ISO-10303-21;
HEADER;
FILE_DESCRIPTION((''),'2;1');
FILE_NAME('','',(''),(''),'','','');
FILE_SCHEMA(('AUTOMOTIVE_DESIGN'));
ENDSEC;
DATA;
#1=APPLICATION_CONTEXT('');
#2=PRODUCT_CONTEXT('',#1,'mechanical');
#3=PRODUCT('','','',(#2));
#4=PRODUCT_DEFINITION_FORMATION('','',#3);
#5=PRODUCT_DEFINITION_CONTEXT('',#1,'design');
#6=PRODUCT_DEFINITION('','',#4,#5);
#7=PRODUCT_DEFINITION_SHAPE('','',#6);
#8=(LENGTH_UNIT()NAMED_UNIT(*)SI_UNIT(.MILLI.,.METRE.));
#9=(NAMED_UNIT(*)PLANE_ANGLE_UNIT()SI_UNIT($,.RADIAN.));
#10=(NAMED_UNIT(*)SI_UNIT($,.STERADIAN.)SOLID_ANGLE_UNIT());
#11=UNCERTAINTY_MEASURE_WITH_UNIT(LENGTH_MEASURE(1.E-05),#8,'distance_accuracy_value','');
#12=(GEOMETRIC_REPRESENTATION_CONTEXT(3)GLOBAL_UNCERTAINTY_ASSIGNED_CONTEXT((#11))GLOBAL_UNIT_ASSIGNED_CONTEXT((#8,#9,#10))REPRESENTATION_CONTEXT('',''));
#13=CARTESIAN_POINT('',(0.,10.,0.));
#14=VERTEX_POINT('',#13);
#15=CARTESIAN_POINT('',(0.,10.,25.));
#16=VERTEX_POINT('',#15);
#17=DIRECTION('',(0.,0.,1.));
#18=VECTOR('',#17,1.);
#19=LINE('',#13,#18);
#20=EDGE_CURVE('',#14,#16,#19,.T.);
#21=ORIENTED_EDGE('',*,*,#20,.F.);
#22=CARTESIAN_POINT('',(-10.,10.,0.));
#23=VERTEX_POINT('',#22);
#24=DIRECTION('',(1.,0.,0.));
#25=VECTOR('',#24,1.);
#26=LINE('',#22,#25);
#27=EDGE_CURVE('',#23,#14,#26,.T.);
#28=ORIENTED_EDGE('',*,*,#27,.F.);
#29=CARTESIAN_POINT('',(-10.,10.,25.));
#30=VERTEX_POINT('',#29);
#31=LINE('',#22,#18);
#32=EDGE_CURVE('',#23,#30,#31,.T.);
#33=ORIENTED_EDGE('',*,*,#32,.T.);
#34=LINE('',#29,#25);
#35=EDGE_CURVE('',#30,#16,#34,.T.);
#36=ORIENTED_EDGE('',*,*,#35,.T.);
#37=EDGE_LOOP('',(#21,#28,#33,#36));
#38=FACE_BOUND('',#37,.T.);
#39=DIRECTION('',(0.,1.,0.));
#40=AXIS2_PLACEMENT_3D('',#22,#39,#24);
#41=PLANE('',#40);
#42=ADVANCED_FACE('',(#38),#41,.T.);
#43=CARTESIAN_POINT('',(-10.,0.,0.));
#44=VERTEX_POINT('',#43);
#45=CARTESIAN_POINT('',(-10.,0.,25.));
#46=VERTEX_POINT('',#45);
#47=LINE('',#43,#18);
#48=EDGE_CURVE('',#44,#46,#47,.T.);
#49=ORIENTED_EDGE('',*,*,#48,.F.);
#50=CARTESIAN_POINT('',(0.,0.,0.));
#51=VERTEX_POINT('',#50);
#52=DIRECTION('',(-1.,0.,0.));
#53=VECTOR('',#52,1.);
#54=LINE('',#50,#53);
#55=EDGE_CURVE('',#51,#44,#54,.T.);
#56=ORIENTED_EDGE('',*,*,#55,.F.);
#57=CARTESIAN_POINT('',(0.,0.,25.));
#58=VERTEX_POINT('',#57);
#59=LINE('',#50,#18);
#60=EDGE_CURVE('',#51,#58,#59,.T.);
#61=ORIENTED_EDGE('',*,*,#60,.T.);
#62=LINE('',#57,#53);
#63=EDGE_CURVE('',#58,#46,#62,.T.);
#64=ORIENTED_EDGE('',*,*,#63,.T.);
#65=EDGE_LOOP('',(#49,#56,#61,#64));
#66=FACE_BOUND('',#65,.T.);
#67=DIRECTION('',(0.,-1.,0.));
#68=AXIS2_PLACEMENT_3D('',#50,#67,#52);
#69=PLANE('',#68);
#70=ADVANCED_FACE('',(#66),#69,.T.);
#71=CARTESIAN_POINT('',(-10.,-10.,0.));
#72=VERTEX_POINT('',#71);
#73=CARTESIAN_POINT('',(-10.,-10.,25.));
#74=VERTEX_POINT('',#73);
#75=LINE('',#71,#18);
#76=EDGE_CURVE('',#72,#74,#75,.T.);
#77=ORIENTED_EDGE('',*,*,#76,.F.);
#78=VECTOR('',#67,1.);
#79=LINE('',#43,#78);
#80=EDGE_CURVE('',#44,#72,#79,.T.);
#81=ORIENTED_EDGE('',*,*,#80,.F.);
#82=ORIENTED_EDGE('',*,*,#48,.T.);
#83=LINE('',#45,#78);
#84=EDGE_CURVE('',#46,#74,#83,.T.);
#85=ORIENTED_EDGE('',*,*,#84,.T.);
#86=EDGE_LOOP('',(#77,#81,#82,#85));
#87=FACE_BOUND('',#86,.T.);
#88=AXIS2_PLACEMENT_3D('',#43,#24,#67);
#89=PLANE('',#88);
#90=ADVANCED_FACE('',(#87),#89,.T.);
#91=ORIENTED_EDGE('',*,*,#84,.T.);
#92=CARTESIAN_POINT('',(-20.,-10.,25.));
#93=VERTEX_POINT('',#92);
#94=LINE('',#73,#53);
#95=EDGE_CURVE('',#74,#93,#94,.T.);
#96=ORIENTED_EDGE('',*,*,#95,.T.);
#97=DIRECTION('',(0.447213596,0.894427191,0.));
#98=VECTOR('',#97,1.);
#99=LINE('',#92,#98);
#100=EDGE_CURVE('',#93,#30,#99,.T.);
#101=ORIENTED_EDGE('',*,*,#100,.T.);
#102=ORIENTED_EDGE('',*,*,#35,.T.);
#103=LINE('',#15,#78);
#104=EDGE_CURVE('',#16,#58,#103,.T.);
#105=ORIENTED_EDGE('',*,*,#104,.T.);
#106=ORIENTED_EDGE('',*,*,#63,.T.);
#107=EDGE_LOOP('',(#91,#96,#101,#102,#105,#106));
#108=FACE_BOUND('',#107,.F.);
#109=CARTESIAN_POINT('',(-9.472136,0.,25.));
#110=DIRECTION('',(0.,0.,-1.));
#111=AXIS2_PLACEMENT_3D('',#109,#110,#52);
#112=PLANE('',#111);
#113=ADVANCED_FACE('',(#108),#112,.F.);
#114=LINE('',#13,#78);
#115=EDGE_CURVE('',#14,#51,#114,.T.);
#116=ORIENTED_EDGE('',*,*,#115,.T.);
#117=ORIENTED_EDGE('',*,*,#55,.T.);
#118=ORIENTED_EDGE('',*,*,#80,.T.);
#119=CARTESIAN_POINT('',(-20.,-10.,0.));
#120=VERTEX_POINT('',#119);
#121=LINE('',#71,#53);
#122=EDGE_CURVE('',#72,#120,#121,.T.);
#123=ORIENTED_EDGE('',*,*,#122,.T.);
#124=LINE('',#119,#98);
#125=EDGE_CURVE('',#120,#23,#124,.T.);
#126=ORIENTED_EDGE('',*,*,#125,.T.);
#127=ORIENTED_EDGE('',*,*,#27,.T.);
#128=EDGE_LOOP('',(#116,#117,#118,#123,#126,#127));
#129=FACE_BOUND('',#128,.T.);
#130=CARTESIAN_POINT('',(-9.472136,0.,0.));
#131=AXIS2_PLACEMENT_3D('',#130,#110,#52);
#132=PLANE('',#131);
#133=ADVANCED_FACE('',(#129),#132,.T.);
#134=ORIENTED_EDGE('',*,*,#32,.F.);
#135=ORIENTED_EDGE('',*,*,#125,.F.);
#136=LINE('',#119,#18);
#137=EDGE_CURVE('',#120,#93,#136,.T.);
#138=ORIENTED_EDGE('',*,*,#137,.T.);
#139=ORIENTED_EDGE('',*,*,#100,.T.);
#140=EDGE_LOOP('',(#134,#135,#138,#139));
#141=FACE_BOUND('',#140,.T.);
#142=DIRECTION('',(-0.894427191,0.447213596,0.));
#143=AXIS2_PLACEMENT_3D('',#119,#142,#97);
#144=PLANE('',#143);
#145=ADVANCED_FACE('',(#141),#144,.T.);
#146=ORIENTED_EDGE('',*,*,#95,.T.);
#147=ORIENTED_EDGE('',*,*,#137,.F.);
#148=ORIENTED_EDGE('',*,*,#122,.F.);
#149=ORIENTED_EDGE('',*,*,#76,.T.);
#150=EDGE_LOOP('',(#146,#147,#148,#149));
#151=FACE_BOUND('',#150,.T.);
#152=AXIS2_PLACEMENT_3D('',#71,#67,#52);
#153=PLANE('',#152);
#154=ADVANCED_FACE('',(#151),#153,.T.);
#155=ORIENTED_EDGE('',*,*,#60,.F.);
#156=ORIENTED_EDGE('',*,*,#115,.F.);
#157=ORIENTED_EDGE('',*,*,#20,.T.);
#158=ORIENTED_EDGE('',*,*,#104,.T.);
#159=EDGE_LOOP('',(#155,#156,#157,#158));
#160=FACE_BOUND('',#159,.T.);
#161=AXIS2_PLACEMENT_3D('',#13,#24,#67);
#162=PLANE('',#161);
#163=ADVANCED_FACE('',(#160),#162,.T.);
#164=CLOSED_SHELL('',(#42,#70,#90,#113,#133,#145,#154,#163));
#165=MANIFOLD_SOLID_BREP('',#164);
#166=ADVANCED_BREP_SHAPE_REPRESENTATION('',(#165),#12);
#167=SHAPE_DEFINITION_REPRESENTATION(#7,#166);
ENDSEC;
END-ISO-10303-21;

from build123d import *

# Parameters (mm, degrees)
BOSS_EXTRUDE1_DEPTH = 25


with BuildPart() as part:
    # Sketch1 → Boss-Extrude1 (new body)
    with BuildSketch(Plane.XY):
        Polygon((-20, -10), (-10, 10), (0, 10), (0, 0), (-10, 0), (-10, -10), align=None)
    extrude(amount=BOSS_EXTRUDE1_DEPTH)


solid = part.part
